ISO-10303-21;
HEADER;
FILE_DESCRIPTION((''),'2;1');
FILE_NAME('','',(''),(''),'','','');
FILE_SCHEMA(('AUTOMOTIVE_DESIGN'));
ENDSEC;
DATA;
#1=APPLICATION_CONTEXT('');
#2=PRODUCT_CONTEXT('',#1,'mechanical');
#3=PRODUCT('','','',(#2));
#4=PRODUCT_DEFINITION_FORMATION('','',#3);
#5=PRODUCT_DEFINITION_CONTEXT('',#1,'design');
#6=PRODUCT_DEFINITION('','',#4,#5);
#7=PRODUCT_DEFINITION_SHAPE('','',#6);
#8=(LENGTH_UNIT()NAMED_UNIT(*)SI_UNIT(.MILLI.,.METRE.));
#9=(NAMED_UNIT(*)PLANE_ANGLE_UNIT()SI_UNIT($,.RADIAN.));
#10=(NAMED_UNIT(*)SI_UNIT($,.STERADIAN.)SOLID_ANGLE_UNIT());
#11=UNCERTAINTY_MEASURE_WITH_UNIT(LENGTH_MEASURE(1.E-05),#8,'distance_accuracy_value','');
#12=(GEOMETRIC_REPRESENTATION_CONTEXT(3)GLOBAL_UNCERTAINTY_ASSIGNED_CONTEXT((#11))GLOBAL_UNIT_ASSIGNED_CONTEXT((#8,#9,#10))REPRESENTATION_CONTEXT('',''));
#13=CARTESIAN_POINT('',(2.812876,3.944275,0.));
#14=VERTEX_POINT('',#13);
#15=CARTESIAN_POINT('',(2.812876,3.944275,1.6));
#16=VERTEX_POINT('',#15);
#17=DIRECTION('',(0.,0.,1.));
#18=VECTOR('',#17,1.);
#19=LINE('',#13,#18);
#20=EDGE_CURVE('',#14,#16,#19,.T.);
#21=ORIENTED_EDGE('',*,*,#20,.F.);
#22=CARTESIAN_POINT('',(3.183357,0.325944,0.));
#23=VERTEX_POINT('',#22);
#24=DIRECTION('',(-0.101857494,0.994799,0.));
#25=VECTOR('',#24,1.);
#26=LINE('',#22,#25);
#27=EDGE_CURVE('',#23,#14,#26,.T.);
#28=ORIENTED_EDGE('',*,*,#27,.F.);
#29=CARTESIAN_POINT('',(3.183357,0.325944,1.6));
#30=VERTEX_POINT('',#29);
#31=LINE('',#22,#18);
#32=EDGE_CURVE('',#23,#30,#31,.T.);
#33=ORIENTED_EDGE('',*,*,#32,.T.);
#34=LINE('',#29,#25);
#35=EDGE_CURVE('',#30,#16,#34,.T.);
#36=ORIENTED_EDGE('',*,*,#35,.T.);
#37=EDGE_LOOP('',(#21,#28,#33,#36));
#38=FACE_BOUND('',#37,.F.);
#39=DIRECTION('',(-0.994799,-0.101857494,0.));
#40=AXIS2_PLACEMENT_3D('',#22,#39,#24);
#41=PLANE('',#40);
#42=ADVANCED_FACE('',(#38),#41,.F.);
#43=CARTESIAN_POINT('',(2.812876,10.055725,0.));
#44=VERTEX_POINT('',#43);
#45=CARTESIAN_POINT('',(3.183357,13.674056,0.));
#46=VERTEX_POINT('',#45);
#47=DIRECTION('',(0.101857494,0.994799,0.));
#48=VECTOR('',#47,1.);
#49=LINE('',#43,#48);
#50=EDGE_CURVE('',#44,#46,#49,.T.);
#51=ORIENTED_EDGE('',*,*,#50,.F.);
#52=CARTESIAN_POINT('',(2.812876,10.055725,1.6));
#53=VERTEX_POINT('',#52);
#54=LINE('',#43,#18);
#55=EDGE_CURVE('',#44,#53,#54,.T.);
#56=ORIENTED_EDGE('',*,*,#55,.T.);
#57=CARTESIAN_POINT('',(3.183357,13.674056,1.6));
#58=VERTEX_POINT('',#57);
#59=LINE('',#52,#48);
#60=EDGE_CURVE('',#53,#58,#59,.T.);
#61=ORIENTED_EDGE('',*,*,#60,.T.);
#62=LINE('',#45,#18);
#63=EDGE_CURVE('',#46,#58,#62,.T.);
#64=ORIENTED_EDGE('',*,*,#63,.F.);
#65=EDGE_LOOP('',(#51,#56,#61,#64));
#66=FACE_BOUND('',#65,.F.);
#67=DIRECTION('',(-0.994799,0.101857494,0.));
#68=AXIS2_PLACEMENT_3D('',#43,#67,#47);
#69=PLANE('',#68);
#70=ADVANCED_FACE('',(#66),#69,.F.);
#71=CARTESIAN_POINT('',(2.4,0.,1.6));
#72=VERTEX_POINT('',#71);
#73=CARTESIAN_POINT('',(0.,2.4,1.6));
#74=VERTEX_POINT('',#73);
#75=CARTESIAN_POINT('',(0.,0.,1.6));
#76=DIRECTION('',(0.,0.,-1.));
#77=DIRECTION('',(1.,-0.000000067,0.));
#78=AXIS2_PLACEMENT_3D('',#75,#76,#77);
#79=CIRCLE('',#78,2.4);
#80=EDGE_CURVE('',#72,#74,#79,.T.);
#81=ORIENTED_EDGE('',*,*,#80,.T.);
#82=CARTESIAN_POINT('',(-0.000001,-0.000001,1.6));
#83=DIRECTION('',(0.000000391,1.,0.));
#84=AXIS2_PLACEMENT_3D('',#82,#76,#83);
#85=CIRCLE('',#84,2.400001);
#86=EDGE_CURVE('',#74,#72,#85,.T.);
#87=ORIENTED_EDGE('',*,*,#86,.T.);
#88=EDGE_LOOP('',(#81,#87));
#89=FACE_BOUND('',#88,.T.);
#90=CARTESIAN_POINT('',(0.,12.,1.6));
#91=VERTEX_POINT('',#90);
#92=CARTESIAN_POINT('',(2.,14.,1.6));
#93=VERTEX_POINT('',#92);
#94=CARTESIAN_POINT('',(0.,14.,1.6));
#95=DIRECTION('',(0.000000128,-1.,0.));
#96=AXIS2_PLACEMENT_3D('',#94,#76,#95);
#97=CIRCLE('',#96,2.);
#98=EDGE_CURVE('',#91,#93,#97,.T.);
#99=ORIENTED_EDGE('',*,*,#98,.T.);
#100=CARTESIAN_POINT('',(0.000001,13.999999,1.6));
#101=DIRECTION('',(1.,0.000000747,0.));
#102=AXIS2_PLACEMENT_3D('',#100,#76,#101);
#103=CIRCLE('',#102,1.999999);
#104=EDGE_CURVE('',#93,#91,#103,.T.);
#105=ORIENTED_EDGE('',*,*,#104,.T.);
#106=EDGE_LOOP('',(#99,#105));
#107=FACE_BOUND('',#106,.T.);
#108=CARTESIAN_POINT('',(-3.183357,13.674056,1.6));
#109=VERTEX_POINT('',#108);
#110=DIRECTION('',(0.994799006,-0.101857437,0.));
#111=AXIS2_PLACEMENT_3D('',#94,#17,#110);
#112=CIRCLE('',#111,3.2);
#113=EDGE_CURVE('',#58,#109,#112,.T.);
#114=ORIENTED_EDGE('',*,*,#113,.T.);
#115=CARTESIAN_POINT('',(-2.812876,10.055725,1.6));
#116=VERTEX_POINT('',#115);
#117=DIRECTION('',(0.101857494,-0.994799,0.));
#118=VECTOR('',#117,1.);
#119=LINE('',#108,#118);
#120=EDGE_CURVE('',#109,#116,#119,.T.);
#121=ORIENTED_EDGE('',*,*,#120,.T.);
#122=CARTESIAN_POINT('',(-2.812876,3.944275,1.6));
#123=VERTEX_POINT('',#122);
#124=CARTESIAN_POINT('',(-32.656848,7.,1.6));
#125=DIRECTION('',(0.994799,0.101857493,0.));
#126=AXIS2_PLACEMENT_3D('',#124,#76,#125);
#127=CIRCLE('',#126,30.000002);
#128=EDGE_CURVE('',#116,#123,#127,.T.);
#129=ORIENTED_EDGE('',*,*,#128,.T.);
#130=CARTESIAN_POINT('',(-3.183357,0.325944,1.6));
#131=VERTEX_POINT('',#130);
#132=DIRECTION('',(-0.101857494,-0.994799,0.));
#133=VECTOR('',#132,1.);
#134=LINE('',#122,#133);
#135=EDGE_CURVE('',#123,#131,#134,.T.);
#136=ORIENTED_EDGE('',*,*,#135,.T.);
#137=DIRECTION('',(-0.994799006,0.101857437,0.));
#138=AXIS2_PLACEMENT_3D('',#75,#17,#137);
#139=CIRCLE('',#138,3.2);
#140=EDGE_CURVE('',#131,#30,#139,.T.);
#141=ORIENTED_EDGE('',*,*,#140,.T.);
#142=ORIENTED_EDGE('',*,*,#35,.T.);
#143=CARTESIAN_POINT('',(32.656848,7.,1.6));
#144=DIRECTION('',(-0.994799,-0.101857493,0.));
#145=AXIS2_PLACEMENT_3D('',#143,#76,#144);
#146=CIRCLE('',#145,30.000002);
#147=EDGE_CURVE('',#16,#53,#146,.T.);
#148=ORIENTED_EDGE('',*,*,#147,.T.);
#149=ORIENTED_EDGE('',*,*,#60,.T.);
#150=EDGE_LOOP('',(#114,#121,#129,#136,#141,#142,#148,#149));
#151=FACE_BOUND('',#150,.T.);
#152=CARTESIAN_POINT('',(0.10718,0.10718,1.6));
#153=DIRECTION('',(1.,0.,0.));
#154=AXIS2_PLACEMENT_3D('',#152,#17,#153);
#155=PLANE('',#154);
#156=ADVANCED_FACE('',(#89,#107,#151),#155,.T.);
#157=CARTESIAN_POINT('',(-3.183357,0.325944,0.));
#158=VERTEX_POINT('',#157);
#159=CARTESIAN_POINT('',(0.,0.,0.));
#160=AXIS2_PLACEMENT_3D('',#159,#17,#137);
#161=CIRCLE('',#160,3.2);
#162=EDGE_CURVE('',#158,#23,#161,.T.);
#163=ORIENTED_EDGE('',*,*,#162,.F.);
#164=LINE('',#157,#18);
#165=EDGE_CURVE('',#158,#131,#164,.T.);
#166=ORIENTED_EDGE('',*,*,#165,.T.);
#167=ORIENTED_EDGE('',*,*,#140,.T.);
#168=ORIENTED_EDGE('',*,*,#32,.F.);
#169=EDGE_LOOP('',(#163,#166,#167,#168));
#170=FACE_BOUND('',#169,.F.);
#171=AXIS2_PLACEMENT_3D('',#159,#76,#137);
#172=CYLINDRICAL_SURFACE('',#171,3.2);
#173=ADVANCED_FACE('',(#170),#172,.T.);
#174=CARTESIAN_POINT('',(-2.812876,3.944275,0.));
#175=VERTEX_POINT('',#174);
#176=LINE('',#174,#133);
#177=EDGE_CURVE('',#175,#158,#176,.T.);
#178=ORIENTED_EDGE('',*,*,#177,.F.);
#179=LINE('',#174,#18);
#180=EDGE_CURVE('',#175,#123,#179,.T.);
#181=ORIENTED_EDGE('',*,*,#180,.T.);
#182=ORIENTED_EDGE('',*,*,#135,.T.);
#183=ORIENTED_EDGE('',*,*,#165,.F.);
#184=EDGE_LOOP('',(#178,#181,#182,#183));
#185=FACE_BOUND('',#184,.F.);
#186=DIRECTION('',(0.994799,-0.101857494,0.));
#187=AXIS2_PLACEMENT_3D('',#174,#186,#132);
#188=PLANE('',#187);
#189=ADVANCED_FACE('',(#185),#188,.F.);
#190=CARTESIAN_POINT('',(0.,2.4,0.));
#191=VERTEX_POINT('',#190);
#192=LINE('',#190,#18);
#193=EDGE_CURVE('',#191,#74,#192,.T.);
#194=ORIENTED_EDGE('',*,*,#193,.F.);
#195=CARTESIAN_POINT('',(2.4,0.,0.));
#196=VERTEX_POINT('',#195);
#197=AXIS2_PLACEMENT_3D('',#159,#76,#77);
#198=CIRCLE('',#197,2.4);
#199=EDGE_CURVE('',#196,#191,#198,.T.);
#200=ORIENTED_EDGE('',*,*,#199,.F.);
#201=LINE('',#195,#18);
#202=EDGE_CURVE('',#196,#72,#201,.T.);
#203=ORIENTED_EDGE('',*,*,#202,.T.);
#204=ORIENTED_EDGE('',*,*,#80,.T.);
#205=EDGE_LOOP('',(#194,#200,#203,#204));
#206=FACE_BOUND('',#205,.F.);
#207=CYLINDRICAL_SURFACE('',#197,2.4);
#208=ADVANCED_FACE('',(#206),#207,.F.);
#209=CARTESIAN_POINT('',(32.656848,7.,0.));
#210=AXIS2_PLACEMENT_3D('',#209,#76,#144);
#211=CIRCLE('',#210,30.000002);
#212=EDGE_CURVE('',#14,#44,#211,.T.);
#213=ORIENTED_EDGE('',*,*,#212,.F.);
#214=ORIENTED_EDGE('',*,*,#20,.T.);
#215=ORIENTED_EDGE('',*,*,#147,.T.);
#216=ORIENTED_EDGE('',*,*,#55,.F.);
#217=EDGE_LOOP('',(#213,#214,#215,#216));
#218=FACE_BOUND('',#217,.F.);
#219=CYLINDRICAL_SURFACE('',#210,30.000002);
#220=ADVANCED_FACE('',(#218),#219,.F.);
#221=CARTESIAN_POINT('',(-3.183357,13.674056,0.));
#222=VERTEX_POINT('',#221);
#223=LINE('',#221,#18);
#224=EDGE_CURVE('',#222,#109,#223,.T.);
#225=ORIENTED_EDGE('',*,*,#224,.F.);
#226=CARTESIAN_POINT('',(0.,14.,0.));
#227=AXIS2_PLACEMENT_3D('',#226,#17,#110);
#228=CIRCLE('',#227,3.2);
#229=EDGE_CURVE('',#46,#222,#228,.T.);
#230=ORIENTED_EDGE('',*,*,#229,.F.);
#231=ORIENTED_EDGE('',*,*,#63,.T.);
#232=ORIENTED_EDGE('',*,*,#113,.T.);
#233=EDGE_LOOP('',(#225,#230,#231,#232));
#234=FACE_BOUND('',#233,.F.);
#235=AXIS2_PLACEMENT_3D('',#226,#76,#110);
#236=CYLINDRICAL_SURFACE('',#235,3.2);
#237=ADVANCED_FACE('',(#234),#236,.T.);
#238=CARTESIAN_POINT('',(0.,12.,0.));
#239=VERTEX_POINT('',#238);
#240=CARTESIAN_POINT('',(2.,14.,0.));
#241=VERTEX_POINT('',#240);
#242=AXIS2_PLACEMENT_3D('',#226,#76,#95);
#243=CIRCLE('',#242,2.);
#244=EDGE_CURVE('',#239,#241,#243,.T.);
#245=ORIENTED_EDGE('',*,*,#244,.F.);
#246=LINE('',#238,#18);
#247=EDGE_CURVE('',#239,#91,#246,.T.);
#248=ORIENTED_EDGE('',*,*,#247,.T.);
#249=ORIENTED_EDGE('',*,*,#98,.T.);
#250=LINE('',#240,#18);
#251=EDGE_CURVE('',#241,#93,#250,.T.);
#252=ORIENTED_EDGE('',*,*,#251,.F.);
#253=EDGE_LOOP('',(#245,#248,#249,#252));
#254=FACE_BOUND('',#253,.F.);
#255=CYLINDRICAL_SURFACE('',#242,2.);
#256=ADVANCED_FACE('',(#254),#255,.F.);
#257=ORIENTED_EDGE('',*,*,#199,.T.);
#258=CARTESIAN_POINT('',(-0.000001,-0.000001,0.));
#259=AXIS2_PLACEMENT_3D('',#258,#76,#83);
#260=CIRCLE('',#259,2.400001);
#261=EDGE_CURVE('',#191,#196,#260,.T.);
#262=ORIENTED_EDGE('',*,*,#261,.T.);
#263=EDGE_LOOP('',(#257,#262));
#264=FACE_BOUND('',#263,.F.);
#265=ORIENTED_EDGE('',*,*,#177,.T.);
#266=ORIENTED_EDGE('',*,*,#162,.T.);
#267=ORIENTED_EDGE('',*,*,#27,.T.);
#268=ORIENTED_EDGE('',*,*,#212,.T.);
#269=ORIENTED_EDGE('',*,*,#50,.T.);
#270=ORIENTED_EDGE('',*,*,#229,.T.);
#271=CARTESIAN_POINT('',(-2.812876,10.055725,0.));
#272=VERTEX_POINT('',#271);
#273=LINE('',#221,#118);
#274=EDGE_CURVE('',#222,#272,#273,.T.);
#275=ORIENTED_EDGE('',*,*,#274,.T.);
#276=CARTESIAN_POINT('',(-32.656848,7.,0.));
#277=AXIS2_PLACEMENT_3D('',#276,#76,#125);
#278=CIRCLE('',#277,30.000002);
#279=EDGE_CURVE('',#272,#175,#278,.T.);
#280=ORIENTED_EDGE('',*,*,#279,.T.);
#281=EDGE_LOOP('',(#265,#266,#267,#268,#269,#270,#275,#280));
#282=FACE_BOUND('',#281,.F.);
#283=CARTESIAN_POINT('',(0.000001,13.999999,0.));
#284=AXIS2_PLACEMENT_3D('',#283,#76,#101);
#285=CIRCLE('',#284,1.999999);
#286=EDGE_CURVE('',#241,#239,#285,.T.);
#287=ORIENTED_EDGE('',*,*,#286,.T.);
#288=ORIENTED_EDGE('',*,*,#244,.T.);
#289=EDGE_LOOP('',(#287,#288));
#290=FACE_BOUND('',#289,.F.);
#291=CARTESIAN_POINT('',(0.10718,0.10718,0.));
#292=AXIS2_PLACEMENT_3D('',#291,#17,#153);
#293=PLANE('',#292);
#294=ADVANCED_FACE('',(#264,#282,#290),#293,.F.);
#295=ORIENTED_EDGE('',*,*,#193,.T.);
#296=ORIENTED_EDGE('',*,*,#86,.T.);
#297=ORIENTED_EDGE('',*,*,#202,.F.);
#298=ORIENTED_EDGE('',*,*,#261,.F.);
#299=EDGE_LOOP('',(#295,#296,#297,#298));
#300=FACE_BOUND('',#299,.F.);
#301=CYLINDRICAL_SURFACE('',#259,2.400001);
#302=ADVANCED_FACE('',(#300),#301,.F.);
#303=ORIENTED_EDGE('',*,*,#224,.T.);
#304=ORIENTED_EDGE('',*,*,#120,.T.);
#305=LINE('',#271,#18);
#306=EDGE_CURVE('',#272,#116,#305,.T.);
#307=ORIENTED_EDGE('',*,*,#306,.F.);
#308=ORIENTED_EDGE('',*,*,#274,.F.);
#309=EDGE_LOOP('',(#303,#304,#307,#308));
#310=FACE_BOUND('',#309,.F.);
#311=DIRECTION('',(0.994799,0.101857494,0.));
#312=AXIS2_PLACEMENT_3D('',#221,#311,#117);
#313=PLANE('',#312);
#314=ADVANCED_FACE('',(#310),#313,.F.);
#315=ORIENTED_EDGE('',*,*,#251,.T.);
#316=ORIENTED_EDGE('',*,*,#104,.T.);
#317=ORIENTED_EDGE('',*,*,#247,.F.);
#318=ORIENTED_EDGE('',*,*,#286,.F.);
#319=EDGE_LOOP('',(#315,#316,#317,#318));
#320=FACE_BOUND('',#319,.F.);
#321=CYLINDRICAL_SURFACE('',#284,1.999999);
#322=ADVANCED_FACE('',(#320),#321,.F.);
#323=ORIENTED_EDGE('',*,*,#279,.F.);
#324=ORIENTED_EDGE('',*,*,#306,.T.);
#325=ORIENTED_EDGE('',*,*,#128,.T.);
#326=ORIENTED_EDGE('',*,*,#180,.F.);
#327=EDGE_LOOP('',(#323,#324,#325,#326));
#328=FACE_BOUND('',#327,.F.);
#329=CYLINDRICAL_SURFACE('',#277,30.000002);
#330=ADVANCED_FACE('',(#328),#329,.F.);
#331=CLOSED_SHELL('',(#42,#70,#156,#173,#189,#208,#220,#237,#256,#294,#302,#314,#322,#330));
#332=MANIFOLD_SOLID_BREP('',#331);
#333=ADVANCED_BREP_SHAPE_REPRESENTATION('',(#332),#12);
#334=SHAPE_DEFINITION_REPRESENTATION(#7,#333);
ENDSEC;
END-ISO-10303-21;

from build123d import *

# Parameters (mm, degrees)
F1_DEPTH = 1.6


with BuildPart() as f1:
    # F0 (on Top) → F1 (new body)
    with BuildSketch(Plane.XY):
        with BuildLine():
            ThreePointArc((0, 2.4), (-1.697056, -1.697056), (2.4, 0))
            ThreePointArc((2.4, 0), (1.697056, 1.697056), (0, 2.4))
        make_face()
        with BuildLine():
            ThreePointArc((2, 14), (-1.414214, 15.414214), (0, 12))
            ThreePointArc((0, 12), (1.414214, 12.585786), (2, 14))
        make_face()
        with BuildLine():
            Line((-2.812876, 3.944275), (-3.183357, 0.325944))
            ThreePointArc((-3.183357, 0.325944), (0, -3.2), (3.183357, 0.325944))
            Line((3.183357, 0.325944), (2.812876, 3.944275))
            ThreePointArc((2.812876, 3.944275), (2.656846, 7), (2.812876, 10.055725))
            Line((2.812876, 10.055725), (3.183357, 13.674056))
            ThreePointArc((3.183357, 13.674056), (0, 17.2), (-3.183357, 13.674056))
            Line((-3.183357, 13.674056), (-2.812876, 10.055725))
            ThreePointArc((-2.812876, 10.055725), (-2.656846, 7), (-2.812876, 3.944275))
        make_face()
        with BuildLine():
            ThreePointArc((0, 2.4), (1.697056, 1.697056), (2.4, 0))
            ThreePointArc((2.4, 0), (-1.697056, -1.697056), (0, 2.4))
        make_face(mode=Mode.SUBTRACT)
        with BuildLine():
            ThreePointArc((2, 14), (1.414214, 12.585786), (0, 12))
            ThreePointArc((0, 12), (-1.414214, 15.414214), (2, 14))
        make_face(mode=Mode.SUBTRACT)
    extrude(amount=F1_DEPTH)


solid = f1.part
